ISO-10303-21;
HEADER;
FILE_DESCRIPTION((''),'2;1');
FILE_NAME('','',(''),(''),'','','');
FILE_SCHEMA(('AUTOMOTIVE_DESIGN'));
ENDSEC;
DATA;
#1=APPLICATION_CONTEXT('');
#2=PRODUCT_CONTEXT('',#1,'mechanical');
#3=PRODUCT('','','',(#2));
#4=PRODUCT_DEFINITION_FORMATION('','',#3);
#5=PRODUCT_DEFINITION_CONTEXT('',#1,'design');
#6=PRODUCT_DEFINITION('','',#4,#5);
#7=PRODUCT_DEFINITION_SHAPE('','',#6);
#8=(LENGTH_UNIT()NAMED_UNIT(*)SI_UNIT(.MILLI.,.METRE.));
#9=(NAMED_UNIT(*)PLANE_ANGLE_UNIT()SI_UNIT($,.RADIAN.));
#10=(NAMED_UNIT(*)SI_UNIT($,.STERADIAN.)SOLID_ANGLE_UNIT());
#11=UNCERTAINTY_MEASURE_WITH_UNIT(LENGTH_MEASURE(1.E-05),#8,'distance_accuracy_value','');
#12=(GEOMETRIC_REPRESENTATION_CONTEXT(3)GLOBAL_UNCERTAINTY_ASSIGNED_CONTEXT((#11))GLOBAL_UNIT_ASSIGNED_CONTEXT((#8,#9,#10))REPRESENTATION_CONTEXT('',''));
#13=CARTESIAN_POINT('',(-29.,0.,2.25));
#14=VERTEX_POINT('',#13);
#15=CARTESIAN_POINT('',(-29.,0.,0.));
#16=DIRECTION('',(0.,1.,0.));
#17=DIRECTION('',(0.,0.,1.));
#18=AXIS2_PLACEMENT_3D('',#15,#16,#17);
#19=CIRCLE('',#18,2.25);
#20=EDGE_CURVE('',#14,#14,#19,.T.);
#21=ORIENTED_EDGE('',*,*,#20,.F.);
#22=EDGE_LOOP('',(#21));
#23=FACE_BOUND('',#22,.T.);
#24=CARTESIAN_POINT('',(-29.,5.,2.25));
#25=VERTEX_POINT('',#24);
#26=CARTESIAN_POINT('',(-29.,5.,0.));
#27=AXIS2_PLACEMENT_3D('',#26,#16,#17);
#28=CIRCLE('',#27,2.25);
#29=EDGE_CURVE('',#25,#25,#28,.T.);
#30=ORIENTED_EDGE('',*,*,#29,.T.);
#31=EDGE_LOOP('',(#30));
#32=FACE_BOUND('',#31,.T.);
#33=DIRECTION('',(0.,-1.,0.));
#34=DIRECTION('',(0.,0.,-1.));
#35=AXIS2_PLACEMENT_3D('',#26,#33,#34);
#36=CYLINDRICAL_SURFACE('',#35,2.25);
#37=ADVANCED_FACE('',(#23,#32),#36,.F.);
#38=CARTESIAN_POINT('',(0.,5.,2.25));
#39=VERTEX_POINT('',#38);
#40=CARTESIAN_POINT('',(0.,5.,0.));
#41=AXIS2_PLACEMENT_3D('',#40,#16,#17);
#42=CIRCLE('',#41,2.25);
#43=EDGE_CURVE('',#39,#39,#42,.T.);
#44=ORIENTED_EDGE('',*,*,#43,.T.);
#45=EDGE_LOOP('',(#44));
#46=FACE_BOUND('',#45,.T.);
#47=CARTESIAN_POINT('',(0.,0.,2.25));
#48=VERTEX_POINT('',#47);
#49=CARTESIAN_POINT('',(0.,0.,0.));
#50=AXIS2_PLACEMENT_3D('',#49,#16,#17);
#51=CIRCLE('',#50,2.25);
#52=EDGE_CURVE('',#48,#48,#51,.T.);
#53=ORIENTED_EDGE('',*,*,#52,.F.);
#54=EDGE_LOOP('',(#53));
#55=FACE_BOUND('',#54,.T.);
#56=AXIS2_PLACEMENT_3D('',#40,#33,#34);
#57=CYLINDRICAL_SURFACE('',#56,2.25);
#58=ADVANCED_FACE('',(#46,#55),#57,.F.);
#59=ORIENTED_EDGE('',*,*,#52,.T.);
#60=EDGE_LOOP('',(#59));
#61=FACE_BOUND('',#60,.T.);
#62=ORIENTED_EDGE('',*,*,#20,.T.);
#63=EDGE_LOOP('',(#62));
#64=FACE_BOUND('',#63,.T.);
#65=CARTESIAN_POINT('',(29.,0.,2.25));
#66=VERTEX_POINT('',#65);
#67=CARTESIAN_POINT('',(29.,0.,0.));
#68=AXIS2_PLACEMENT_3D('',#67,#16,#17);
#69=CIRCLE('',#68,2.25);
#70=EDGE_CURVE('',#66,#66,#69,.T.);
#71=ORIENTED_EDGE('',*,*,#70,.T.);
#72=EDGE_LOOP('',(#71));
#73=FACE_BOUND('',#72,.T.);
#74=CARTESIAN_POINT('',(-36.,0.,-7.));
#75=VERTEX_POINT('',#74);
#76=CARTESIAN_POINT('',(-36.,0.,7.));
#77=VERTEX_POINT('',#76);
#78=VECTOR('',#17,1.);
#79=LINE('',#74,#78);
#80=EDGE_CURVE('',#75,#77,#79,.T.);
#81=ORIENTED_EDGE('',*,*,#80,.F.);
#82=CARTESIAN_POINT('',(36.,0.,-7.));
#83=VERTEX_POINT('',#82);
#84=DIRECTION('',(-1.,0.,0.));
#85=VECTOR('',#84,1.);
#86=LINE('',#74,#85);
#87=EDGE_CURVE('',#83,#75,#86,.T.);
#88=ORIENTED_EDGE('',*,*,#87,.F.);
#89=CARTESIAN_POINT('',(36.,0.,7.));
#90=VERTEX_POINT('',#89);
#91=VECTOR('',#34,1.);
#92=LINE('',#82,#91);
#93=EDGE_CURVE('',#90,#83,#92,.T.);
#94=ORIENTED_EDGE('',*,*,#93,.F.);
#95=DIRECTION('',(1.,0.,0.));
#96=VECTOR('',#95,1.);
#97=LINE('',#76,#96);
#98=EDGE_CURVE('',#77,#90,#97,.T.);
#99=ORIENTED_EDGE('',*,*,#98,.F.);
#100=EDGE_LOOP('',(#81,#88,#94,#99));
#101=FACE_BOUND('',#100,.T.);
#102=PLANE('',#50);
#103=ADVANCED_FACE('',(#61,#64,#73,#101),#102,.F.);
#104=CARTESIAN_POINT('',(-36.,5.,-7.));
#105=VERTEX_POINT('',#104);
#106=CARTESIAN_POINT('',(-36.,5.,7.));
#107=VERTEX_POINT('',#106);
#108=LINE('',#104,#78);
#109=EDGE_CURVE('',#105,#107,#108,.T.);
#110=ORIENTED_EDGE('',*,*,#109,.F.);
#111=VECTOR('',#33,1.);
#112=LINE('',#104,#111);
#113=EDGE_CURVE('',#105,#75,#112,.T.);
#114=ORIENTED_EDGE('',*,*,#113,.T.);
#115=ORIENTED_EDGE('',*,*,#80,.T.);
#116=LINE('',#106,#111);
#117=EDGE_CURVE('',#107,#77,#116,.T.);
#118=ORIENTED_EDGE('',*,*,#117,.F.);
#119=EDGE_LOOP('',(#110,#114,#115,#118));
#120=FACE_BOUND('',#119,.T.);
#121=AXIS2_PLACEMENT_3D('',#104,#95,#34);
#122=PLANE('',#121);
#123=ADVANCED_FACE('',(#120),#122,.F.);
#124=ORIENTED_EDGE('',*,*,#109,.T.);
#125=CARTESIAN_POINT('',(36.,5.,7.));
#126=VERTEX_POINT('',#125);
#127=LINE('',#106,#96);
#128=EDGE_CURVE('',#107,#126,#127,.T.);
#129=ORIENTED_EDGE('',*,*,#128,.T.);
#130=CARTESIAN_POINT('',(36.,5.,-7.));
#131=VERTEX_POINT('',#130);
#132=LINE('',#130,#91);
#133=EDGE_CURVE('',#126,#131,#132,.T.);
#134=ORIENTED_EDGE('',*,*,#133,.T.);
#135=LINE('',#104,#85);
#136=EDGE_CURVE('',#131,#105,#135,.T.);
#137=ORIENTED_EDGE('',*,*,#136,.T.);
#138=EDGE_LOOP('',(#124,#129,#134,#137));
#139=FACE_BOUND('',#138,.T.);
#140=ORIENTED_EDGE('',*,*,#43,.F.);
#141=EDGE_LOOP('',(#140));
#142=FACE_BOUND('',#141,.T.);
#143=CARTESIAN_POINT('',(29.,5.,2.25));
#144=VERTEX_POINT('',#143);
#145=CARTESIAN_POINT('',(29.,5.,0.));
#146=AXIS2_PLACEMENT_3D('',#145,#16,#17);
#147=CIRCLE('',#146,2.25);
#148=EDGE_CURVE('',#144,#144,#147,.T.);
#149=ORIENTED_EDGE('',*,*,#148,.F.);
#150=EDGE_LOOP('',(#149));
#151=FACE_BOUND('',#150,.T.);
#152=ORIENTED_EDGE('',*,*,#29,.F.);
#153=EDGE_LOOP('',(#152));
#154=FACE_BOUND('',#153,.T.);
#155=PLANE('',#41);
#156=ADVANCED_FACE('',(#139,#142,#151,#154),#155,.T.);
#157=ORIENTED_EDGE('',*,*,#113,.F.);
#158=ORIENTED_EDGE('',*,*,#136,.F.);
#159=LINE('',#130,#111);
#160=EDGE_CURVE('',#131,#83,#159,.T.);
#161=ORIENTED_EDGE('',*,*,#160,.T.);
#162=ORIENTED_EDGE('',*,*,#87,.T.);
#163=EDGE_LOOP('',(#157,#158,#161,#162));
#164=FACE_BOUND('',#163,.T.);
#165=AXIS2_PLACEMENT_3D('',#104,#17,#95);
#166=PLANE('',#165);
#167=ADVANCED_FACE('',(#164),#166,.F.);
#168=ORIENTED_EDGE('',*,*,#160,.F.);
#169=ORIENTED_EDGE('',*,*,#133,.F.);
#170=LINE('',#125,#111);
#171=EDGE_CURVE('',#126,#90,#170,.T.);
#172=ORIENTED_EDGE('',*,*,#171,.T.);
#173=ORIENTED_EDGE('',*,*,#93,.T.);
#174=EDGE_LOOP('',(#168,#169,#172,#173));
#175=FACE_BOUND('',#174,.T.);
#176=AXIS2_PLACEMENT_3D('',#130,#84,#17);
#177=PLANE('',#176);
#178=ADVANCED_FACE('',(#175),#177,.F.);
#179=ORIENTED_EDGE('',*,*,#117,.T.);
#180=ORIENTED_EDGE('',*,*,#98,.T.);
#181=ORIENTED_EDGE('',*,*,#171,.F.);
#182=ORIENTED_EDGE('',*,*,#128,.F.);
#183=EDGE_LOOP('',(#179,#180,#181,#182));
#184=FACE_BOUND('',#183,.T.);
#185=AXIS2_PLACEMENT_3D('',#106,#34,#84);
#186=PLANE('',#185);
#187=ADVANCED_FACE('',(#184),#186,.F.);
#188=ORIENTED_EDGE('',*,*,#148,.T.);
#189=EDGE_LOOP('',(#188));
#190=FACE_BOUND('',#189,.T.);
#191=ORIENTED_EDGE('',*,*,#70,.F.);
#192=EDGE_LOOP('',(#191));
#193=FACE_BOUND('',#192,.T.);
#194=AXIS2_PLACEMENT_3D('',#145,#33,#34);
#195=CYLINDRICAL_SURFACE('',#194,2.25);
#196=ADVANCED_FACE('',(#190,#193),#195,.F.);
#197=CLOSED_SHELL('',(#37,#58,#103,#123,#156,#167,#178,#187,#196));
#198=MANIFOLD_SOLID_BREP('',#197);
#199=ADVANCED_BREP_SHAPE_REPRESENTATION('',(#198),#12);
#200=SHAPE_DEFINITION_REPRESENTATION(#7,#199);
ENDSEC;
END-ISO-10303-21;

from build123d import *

# Parameters (mm, degrees)
SKETCH1_W           = 72
SKETCH1_H           = 14
SKETCH1_R           = 2.25
BOSS_EXTRUDE1_DEPTH = 5


with BuildPart() as part:
    # Sketch1 → Boss-Extrude1 (new body)
    with BuildSketch(Plane(origin=(0, 0, 0), x_dir=(1, 0, 0), z_dir=(0, 1, 0))):
        Rectangle(SKETCH1_W, SKETCH1_H)
        with Locations(Location((0, 0, 0), (0, 0, 270))):
            Circle(SKETCH1_R, mode=Mode.SUBTRACT)
        with Locations(Location((29, 0, 0), (0, 0, 270))):
            Circle(SKETCH1_R, mode=Mode.SUBTRACT)
        with Locations(Location((-29, 0, 0), (0, 0, 270))):
            Circle(SKETCH1_R, mode=Mode.SUBTRACT)
    extrude(amount=BOSS_EXTRUDE1_DEPTH)


solid = part.part
